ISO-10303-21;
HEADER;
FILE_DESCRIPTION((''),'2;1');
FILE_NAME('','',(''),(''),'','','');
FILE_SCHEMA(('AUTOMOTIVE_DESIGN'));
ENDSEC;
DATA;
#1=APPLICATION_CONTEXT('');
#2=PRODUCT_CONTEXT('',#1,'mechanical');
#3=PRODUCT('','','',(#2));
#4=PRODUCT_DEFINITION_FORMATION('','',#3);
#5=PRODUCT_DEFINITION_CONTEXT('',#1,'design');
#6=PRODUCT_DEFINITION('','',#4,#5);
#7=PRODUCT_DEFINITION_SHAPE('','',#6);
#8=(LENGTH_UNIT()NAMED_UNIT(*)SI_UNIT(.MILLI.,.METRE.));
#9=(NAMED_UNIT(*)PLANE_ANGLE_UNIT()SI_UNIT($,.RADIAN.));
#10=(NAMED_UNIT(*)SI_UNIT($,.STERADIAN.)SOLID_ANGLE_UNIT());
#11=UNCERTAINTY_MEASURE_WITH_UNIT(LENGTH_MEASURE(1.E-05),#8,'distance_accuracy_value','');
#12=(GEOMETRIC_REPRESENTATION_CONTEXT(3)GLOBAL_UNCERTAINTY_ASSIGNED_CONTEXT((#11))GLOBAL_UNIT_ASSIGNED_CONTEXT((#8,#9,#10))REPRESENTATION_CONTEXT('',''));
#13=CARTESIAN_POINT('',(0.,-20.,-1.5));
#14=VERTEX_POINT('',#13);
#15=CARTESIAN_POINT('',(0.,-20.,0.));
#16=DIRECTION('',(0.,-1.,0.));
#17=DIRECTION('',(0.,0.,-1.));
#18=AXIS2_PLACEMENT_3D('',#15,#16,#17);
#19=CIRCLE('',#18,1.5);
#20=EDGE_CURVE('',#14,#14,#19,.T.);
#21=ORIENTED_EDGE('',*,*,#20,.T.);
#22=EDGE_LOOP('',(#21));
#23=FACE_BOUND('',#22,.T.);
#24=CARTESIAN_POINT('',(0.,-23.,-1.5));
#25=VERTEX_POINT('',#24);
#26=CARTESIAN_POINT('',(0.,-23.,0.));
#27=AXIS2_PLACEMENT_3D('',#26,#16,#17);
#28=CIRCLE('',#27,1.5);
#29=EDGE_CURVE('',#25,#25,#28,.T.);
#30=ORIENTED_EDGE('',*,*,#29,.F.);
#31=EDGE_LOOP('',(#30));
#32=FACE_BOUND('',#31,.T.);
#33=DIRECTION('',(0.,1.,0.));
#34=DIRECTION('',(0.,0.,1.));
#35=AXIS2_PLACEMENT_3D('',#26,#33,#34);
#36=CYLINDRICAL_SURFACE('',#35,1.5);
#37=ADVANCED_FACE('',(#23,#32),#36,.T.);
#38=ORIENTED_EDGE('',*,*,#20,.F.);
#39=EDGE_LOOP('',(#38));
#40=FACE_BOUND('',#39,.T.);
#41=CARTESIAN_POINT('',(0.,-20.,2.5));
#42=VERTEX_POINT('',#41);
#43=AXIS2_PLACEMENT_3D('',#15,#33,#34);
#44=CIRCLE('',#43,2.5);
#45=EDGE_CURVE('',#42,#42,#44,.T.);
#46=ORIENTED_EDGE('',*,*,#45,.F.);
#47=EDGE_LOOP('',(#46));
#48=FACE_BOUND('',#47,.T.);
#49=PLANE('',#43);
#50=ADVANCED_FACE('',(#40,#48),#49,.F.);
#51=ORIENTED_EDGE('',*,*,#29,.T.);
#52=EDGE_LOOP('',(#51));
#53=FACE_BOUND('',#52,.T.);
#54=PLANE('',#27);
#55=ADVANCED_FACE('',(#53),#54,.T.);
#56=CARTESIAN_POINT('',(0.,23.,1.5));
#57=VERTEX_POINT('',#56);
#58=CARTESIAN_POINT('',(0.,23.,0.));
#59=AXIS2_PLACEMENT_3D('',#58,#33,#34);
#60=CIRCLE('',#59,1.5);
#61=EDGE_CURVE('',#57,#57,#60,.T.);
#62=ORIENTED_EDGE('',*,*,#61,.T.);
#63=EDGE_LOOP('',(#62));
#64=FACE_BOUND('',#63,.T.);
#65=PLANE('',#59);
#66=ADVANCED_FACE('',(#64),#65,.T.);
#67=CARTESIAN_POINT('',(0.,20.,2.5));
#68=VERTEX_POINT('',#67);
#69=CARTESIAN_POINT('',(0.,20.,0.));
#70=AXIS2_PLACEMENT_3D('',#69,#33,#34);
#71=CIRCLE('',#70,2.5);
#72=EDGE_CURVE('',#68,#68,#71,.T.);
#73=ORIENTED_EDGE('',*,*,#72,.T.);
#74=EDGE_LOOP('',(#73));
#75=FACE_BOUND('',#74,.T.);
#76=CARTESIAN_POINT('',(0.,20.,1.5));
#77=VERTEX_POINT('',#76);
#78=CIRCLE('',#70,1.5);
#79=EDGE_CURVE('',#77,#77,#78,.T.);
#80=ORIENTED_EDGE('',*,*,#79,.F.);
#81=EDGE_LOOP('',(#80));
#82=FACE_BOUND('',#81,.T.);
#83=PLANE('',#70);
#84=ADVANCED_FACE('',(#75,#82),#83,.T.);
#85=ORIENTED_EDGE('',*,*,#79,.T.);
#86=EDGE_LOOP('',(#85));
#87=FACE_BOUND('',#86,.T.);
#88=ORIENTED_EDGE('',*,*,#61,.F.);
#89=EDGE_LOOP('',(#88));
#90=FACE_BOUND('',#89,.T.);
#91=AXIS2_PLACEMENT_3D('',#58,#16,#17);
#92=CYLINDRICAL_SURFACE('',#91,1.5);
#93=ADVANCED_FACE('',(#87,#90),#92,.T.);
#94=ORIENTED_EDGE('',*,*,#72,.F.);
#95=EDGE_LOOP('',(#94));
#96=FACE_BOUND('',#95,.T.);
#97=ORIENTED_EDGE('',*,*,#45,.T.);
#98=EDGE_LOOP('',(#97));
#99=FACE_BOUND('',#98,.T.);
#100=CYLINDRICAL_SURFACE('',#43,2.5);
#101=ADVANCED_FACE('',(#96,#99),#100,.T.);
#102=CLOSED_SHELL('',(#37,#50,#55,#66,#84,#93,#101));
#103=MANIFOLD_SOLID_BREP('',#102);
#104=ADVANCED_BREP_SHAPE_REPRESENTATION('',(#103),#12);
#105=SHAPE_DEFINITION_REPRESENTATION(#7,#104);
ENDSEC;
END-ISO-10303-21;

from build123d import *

# Parameters (mm, degrees)
SKETCH_1_R      = 2.5
EXTRUDE_2_DEPTH = 20
SKETCH_2_R      = 1.5
EXTRUDE_3_DEPTH = 3
EXTRUDE_START   = 3
SKETCH_3_R      = 1.5
EXTRUDE_4_DEPTH = 3


with BuildPart() as part:
    # 草图1 → 凸台-拉伸2 (new, symmetric)
    with BuildSketch(Plane(origin=(0, 0, 0), x_dir=(1, 0, 0), z_dir=(0, 1, 0))):
        with Locations(Location((0, 0, 0), (0, 0, 270))):
            Circle(SKETCH_1_R)
    extrude(amount=EXTRUDE_2_DEPTH, both=True)

    # 草图2 → 凸台-拉伸3 (add)
    with BuildSketch(Plane(origin=(0, 20, 0), x_dir=(1, 0, 0), z_dir=(0, 1, 0))):
        with Locations(Location((0, 0, 0), (0, 0, 270))):
            Circle(SKETCH_2_R)
    extrude(amount=EXTRUDE_3_DEPTH)

    # 草图3 → 凸台-拉伸4 (add)
    with BuildSketch(Plane.XZ.offset(20).offset(EXTRUDE_START)):
        with Locations(Location((0, 0, 0), (0, 0, 90))):
            Circle(SKETCH_3_R)
    extrude(amount=-EXTRUDE_4_DEPTH)


solid = part.part
